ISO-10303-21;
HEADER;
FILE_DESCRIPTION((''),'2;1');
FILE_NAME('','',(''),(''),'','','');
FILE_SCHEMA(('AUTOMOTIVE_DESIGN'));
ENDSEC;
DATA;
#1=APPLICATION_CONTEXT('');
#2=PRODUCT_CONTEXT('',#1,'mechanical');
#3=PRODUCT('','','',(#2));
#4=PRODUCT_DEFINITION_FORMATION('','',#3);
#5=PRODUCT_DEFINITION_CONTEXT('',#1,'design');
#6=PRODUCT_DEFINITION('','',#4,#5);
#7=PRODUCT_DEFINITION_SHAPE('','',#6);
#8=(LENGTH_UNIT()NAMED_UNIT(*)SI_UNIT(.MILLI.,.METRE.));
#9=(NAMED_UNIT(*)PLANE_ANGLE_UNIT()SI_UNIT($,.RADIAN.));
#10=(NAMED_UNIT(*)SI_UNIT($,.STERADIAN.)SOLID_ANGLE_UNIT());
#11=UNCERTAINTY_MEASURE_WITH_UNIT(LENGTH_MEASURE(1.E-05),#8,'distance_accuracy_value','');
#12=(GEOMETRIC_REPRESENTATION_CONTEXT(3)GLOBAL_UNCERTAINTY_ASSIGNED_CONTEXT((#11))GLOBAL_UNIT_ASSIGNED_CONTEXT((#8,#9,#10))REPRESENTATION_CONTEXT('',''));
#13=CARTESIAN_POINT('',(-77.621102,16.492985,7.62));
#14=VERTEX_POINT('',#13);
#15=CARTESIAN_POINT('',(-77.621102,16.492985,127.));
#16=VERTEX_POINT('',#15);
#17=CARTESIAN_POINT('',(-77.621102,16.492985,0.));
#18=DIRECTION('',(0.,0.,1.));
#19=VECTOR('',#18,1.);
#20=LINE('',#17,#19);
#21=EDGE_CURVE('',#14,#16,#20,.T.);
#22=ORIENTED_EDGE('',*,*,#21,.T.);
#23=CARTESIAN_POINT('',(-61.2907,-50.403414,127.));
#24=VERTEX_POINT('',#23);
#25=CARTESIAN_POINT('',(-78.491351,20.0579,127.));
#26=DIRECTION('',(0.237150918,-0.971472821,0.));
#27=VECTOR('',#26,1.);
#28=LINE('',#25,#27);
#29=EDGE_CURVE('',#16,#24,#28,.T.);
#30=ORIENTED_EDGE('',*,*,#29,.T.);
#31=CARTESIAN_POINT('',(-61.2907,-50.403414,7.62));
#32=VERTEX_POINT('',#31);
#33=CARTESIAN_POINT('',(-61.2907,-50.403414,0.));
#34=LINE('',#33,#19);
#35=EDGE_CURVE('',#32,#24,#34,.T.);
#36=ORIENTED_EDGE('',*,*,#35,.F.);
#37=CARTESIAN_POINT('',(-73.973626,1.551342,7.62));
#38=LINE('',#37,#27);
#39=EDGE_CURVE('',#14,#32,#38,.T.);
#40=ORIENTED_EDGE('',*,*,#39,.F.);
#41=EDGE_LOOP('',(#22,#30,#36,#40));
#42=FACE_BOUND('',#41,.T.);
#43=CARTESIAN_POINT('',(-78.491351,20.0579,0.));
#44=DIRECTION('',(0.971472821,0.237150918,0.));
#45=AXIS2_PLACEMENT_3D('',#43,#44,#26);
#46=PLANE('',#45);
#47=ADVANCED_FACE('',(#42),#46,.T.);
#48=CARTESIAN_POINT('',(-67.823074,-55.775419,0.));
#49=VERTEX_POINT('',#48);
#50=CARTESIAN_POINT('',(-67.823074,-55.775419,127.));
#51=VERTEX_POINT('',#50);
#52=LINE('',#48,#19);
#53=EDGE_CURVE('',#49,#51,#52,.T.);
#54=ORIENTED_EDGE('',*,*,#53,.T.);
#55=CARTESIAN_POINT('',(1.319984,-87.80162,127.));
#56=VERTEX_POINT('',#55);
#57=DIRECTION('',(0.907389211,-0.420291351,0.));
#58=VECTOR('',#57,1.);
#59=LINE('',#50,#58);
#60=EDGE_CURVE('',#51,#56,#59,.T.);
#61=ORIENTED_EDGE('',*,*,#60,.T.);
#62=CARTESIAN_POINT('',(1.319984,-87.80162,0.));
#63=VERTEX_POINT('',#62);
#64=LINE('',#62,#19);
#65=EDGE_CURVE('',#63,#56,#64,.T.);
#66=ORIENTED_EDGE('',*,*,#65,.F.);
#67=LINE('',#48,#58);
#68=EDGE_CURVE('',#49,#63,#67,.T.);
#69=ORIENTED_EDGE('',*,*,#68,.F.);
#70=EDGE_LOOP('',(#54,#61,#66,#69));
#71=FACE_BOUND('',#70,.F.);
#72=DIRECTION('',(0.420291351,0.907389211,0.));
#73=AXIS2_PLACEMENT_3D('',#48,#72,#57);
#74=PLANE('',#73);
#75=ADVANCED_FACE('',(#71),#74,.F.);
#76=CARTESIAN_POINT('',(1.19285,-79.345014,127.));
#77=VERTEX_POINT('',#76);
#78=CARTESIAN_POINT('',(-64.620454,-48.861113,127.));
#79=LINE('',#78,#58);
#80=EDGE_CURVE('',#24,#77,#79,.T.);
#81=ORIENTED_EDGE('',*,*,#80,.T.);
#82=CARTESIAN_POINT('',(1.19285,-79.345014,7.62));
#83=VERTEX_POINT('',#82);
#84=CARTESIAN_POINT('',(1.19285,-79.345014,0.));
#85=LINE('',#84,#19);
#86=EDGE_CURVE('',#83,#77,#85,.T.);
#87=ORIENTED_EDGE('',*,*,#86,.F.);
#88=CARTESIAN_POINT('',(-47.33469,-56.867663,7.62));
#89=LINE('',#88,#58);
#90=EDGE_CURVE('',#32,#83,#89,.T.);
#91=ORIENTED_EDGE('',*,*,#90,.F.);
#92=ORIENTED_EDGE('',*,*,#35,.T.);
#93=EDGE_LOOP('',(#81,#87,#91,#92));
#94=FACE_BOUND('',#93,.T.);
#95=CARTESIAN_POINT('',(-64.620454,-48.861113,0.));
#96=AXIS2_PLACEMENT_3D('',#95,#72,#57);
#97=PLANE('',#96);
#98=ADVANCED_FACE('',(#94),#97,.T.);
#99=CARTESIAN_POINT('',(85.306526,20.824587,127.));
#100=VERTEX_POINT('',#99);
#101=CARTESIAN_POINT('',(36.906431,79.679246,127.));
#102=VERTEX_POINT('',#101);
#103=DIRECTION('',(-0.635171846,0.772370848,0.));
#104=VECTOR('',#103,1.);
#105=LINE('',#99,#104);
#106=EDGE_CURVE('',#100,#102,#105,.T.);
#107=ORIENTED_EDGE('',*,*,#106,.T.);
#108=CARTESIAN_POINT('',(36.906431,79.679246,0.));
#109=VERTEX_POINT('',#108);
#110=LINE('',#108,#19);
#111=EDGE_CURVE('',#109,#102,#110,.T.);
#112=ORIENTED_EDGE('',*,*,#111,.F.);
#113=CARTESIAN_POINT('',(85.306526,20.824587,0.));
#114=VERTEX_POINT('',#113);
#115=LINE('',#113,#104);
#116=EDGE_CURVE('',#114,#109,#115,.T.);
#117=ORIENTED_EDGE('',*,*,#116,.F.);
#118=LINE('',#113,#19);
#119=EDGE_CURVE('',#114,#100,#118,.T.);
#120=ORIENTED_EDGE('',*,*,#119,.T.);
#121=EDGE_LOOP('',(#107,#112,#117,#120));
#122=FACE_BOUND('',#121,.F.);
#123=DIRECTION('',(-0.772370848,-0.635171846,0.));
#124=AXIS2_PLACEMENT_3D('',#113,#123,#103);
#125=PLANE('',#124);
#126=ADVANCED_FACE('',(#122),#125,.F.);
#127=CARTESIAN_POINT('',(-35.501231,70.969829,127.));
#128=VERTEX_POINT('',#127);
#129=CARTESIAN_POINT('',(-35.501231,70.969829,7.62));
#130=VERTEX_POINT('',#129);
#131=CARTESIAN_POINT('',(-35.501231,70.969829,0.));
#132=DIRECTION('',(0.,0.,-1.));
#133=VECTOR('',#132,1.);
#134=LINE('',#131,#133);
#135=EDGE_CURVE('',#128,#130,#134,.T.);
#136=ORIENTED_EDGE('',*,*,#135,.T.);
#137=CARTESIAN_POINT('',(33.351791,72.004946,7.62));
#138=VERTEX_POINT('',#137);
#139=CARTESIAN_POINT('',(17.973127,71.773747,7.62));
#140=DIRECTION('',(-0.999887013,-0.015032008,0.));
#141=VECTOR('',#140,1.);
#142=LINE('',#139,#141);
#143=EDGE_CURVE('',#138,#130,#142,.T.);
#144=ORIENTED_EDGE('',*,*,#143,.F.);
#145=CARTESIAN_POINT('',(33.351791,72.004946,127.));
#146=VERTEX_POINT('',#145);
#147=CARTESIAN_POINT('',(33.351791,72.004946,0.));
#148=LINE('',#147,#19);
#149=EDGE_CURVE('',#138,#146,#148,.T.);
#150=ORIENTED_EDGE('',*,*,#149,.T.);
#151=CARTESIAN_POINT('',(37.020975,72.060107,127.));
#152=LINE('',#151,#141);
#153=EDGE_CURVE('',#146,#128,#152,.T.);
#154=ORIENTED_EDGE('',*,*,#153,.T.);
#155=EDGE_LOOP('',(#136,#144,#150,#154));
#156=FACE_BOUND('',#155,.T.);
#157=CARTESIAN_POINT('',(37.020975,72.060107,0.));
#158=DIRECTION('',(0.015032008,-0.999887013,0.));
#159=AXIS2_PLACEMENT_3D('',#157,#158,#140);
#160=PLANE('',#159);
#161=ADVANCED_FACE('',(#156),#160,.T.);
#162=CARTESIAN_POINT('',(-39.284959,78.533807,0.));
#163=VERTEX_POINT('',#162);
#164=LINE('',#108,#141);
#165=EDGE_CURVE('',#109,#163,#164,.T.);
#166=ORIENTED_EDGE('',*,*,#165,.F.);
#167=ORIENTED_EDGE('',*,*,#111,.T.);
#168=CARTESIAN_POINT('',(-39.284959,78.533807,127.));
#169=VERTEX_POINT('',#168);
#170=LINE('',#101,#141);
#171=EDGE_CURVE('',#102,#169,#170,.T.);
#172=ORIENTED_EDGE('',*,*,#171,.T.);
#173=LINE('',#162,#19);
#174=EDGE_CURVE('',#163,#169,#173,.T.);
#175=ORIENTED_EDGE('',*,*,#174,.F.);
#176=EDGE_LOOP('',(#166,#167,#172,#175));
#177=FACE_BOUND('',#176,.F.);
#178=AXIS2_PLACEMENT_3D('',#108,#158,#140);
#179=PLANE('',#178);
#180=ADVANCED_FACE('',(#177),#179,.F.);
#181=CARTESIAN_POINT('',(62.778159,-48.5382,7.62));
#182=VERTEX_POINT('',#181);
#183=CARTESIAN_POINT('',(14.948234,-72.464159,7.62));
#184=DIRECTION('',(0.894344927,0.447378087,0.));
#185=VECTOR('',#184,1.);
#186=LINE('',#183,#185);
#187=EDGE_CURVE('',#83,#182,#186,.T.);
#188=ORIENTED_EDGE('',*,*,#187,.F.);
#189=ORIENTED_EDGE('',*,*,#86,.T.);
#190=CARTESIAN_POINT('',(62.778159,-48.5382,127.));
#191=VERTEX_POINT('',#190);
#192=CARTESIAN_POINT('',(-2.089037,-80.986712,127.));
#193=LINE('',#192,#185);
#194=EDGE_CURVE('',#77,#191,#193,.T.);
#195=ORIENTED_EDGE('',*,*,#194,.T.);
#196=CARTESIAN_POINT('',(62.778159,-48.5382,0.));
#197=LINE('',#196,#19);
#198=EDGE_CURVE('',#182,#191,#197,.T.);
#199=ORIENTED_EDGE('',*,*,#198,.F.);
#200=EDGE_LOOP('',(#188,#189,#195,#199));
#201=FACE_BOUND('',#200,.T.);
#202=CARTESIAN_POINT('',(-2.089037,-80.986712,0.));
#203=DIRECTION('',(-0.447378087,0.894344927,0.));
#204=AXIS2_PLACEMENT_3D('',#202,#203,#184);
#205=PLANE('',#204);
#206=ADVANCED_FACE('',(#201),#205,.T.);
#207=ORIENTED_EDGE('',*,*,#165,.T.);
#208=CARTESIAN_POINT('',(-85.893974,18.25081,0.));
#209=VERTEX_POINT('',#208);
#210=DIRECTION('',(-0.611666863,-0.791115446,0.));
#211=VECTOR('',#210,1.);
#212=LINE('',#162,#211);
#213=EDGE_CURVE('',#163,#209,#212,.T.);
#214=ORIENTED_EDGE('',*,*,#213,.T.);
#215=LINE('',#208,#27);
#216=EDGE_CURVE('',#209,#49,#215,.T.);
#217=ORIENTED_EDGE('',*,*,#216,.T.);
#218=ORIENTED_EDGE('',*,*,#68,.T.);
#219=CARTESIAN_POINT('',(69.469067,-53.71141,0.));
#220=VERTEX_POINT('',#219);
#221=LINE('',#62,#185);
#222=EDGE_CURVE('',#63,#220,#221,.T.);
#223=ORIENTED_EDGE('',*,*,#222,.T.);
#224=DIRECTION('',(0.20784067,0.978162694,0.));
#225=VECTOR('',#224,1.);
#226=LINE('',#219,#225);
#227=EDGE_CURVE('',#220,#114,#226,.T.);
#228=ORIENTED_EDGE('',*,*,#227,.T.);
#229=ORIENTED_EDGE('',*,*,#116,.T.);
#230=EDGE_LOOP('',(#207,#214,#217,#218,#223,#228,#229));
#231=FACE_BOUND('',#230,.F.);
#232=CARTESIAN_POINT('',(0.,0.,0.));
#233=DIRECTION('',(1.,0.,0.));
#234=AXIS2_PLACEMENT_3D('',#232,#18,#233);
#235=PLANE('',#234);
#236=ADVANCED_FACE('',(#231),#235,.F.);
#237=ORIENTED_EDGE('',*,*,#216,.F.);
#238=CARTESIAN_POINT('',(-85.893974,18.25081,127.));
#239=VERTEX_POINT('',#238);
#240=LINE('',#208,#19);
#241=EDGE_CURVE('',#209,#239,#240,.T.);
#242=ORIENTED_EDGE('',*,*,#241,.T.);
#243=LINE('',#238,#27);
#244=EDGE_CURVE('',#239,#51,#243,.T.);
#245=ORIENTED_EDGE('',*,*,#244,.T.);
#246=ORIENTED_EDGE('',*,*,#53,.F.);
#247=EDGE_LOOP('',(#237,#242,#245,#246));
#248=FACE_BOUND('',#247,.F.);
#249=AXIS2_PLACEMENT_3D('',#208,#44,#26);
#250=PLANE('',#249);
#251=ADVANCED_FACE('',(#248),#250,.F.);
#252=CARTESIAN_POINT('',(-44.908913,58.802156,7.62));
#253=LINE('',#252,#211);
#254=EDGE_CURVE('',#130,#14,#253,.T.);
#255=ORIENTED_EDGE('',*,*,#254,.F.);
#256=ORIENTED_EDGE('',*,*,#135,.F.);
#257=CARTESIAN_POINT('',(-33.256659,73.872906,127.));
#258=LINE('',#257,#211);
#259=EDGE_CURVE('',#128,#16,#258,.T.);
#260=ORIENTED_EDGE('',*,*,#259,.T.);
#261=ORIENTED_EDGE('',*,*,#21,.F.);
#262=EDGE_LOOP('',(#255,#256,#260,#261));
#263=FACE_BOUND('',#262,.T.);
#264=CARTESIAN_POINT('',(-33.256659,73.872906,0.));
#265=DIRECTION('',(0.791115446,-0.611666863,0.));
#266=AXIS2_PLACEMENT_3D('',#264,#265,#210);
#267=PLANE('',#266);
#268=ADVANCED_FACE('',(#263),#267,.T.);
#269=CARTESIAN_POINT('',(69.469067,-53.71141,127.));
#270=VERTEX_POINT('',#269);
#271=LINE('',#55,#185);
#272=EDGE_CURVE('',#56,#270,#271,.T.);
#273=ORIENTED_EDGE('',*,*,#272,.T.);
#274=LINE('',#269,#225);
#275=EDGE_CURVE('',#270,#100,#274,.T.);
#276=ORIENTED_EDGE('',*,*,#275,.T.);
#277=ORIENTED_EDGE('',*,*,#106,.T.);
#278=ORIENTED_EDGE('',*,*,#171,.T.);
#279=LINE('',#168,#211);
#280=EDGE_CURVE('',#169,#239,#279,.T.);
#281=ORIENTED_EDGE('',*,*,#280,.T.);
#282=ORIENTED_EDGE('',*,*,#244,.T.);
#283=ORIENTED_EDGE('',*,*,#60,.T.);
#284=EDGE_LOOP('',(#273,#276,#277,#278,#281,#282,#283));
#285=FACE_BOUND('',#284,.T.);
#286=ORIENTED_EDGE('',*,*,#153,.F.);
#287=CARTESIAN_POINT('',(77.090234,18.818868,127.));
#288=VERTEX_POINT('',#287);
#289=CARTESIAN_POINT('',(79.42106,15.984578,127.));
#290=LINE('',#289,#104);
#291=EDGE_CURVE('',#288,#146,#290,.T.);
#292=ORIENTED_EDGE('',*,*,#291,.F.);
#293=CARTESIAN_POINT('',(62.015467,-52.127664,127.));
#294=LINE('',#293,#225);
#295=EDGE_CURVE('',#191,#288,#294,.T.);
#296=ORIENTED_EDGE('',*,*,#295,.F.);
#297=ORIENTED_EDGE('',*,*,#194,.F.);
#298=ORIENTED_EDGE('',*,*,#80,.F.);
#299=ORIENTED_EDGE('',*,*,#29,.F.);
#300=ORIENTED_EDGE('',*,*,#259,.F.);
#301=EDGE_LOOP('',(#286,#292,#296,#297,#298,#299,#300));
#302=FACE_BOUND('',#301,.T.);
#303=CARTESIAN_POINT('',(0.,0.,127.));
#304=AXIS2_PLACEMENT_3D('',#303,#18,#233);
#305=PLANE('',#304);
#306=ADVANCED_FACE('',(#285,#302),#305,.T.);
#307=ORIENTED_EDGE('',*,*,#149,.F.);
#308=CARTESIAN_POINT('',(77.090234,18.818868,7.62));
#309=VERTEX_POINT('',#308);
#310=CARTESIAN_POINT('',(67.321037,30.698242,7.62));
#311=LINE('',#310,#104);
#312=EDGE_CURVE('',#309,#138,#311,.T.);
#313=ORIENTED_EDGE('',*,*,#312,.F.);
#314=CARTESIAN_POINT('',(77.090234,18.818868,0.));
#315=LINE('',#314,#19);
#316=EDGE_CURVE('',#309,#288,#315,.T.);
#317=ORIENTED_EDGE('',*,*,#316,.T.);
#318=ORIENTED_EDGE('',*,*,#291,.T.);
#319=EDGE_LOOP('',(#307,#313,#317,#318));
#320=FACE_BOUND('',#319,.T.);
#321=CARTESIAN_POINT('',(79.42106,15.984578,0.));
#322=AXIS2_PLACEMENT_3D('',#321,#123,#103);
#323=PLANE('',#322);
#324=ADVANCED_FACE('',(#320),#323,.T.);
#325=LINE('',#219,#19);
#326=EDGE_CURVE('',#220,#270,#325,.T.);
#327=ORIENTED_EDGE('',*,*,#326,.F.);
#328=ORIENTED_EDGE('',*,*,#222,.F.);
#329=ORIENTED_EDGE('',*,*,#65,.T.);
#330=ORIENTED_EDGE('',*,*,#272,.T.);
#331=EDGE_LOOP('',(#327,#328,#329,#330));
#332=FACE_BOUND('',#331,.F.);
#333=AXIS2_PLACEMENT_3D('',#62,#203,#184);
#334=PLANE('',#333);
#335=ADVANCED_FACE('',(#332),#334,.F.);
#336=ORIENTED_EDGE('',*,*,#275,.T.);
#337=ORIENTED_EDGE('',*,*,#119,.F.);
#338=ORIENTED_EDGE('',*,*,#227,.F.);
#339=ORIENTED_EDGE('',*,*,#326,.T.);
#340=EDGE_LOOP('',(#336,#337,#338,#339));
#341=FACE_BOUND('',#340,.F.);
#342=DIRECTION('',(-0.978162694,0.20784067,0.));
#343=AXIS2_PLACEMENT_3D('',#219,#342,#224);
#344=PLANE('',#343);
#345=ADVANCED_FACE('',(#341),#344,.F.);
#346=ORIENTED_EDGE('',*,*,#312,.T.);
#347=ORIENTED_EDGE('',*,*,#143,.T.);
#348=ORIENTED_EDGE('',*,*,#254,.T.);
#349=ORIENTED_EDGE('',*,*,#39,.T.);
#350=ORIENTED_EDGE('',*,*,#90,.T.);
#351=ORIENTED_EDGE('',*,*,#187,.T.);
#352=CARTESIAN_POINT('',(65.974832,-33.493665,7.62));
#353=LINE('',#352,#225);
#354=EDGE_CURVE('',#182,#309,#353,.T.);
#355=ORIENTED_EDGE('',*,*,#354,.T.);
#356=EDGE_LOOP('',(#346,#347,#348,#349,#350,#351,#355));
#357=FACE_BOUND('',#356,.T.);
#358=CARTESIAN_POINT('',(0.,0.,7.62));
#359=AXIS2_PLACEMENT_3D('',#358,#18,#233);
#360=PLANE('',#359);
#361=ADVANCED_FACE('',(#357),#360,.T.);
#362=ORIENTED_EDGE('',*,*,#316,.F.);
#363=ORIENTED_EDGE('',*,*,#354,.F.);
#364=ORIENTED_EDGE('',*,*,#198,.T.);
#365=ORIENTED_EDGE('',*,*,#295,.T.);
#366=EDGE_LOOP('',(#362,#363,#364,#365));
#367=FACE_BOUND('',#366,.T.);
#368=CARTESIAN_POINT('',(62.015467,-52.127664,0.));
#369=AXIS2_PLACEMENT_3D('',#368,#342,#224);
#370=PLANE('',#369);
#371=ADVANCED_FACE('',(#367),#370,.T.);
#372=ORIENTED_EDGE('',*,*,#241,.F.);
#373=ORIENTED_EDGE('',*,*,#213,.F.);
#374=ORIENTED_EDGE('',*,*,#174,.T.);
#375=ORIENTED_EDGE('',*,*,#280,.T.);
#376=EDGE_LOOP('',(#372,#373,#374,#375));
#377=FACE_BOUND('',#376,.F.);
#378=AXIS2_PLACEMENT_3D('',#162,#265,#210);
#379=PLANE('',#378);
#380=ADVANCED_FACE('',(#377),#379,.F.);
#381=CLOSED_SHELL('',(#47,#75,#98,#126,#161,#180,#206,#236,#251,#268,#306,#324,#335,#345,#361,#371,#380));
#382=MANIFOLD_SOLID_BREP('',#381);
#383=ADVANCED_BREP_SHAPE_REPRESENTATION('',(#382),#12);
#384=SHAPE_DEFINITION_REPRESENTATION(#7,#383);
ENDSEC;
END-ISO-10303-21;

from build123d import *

# Parameters (mm, degrees)
F1_DEPTH = 127
F2_T     = -7.62


with BuildPart() as f1:
    # F0 (on Top) → F1 (new body)
    with BuildSketch(Plane.XY):
        Polygon((-39.284959, 78.533807), (-85.893974, 18.25081), (-67.823074, -55.775419), (1.319984, -87.80162), (69.469067, -53.71141), (85.306526, 20.824587), (36.906431, 79.679246), align=None)
    extrude(amount=F1_DEPTH)

    # F2
    f2_openings = [f1.faces().sort_by_distance(p)[0] for p in [
        (0, 0, 127),
    ]]
    offset(amount=F2_T, openings=f2_openings)


solid = f1.part
